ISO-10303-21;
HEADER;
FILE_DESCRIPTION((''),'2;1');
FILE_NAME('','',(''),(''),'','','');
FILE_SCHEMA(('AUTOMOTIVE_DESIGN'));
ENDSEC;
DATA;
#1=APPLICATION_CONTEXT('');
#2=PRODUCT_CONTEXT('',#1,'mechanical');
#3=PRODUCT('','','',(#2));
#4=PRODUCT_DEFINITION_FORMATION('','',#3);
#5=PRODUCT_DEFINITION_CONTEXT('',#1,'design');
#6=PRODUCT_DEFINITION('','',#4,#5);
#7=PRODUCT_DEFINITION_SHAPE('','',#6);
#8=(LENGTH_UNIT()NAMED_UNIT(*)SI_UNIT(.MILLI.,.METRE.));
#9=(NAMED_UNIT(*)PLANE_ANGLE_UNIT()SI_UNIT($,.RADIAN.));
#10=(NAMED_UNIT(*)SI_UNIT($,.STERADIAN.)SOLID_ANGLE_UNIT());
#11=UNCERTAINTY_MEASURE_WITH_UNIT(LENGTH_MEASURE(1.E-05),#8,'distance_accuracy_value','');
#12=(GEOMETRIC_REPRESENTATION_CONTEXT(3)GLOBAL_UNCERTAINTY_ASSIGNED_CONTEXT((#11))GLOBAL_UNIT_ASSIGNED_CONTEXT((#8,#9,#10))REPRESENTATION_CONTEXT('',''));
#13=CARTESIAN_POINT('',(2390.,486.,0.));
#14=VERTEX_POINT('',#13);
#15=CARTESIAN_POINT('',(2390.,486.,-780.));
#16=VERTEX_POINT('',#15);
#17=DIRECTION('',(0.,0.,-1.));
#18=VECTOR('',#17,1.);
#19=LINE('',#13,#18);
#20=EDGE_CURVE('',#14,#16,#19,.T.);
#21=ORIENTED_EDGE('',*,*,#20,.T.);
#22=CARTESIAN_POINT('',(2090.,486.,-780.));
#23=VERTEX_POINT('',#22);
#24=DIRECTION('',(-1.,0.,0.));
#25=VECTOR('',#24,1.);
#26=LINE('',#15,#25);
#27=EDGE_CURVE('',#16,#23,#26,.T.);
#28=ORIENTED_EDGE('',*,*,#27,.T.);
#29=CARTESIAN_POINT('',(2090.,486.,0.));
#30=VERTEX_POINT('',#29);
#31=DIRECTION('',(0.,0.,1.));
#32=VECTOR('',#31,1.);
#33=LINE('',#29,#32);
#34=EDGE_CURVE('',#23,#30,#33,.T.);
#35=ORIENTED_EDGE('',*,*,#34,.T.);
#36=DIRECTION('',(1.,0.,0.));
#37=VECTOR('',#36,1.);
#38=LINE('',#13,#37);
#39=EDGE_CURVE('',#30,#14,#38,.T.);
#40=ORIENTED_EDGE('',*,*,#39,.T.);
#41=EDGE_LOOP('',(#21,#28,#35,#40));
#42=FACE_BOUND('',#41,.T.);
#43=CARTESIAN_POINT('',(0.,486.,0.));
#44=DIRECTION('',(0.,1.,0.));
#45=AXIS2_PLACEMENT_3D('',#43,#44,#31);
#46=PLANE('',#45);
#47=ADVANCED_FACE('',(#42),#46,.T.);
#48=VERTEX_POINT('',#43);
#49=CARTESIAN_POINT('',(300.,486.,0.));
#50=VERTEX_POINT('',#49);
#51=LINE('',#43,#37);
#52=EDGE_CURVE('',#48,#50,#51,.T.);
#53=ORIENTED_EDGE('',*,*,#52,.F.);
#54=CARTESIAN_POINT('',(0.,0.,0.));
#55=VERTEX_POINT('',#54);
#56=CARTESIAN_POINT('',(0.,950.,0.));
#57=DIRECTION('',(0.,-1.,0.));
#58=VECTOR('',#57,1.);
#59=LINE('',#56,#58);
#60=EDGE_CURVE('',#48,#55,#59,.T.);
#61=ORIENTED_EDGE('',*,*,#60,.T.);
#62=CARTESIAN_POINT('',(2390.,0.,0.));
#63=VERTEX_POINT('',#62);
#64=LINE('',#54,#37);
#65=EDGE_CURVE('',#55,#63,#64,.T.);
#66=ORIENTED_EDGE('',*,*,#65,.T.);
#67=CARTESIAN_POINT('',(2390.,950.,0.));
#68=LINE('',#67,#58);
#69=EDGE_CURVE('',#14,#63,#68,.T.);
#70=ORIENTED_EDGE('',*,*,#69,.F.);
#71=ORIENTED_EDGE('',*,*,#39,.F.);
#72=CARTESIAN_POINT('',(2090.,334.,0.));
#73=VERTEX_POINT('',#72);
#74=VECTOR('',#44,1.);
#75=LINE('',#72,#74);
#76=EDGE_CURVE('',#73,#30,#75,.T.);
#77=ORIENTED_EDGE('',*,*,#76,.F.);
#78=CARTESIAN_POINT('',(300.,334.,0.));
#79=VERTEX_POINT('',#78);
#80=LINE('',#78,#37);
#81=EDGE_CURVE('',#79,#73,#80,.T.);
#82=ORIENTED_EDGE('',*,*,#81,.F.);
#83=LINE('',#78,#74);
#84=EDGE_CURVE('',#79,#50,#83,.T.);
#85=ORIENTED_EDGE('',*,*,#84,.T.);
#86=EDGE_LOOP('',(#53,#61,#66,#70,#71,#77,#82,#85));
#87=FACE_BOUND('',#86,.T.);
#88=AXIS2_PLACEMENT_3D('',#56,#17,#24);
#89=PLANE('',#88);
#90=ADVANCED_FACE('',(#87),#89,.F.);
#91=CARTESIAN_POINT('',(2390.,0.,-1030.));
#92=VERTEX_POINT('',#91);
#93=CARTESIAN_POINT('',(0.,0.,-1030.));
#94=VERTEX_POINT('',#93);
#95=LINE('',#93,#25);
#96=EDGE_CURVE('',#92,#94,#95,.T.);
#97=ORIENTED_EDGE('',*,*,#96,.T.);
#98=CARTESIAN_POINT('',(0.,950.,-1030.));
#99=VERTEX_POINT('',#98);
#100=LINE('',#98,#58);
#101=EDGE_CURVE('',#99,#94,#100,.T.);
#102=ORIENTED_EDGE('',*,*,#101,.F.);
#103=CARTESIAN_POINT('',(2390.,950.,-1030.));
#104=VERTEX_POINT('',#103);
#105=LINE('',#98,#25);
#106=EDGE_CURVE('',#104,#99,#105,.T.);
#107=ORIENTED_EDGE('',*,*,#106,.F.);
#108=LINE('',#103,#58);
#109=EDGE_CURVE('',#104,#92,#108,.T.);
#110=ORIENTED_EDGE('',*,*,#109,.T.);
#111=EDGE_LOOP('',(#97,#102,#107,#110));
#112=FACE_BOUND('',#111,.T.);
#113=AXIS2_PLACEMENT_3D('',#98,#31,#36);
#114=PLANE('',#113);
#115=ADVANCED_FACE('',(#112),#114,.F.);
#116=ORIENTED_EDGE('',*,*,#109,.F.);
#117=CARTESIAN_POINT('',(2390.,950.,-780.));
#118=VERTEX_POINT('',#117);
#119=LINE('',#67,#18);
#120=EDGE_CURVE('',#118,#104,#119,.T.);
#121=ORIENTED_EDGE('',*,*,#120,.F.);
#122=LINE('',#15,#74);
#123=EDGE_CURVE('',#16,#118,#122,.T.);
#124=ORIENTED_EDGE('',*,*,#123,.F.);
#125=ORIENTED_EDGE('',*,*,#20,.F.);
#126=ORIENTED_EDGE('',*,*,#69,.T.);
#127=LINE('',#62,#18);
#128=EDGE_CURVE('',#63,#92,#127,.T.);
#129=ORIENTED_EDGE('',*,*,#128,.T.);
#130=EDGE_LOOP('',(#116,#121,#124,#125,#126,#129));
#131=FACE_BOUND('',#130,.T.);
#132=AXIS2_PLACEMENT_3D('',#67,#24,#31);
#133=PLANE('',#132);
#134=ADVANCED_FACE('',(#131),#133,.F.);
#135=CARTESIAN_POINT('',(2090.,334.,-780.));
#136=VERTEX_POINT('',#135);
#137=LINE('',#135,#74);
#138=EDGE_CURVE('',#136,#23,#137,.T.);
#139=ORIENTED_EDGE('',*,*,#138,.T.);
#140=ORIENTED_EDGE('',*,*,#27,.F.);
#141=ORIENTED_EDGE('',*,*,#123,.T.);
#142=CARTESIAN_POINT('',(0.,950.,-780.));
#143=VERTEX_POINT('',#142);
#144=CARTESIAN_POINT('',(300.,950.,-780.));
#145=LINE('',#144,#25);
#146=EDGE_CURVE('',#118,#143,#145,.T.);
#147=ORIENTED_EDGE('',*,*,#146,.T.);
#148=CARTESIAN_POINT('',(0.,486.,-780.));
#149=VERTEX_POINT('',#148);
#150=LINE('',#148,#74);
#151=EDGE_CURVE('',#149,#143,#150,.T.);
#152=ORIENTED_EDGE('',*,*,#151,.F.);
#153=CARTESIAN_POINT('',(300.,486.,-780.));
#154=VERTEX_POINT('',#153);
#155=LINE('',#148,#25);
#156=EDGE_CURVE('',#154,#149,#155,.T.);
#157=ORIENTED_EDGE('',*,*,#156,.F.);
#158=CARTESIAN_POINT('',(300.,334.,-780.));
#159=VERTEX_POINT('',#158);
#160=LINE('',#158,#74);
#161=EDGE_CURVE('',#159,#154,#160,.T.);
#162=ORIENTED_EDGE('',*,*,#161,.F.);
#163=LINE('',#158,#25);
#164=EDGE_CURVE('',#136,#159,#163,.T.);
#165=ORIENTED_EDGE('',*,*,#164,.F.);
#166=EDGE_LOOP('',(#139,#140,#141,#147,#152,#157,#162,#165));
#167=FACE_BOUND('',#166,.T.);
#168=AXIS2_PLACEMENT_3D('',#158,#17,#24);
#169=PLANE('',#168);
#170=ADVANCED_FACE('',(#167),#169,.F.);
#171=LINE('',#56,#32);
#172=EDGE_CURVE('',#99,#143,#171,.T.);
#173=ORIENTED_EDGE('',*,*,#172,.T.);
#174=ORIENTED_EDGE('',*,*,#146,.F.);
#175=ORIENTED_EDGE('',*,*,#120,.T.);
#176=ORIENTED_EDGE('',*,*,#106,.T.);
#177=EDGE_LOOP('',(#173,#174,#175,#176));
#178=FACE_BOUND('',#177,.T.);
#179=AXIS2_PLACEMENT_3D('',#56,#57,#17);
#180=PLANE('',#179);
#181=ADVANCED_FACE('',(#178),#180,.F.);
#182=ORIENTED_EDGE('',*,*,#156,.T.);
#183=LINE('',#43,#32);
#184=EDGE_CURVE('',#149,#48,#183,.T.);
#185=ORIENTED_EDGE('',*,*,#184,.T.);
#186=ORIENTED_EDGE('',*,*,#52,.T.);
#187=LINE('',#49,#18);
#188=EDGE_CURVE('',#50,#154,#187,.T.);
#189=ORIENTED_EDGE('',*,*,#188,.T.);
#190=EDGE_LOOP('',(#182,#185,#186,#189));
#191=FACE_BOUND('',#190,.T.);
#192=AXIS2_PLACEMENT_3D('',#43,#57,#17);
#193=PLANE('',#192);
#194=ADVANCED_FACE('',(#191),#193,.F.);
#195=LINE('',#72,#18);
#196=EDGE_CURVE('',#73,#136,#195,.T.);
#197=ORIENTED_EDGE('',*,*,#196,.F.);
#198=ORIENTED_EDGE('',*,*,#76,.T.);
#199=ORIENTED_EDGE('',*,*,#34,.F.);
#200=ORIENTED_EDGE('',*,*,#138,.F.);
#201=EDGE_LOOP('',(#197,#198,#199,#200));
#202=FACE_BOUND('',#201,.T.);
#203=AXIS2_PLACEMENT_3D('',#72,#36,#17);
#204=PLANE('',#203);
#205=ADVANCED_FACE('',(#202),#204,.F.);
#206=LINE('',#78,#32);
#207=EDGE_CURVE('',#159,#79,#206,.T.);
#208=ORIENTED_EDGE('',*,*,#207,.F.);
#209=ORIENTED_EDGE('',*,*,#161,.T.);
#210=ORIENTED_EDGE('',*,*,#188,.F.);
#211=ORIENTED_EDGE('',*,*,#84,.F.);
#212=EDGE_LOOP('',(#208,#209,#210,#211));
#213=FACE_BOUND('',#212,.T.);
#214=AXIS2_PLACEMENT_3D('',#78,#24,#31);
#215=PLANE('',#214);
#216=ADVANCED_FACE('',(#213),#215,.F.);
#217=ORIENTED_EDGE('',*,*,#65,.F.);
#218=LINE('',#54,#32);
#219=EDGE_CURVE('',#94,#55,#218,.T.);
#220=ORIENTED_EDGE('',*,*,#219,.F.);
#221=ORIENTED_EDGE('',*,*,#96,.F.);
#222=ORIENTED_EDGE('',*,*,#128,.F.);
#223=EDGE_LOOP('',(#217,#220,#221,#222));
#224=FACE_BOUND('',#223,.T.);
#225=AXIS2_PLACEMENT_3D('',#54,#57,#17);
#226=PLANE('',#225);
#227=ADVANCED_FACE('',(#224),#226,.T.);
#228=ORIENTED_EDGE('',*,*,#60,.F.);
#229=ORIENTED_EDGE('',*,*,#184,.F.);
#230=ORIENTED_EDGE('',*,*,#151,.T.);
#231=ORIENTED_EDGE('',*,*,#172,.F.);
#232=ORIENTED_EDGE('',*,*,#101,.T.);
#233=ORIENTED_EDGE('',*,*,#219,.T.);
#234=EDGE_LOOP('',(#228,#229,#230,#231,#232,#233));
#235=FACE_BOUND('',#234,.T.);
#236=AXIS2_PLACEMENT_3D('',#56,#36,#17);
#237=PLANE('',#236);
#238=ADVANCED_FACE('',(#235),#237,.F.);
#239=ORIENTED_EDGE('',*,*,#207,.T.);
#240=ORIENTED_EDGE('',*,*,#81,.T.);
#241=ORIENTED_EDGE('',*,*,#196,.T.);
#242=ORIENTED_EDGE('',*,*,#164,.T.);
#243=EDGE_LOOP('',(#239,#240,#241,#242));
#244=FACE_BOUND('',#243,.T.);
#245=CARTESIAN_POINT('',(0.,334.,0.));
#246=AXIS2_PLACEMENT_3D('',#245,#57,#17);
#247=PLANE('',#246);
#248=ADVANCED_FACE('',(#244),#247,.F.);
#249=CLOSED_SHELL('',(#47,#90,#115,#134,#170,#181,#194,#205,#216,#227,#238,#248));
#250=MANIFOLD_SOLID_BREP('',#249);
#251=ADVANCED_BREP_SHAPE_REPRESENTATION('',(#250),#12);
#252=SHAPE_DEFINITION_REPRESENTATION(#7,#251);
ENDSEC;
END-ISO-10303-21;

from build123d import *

# Parameters (mm, degrees)
SKETCH_1_W          = 2390
SKETCH_1_H          = 1030
EXTRUDE_1_DEPTH     = 950
SKETCH_2_W          = 1790
SKETCH_2_H          = 780
CUT_EXTRUDE_1_DEPTH = 616
SKETCH_3_W          = 300
SKETCH_3_H          = 780
CUT_EXTRUDE_2_DEPTH = 464


with BuildPart() as part:
    # Эскиз1 → Бобышка-Вытянуть1 (new body)
    with BuildSketch(Plane(origin=(0, 0, 0), x_dir=(1, 0, 0), z_dir=(0, 1, 0))):
        with Locations((1195, 515)):
            Rectangle(SKETCH_1_W, SKETCH_1_H)
    extrude(amount=EXTRUDE_1_DEPTH)

    # Эскиз2 → Вырез-Вытянуть1 (cut)
    with BuildSketch(Plane(origin=(0, 950, 0), x_dir=(1, 0, 0), z_dir=(0, 1, 0))):
        with Locations((1195, 390)):
            Rectangle(SKETCH_2_W, SKETCH_2_H)
    extrude(amount=-CUT_EXTRUDE_1_DEPTH, mode=Mode.SUBTRACT)

    # Эскиз3 → Вырез-Вытянуть2 (cut)
    with BuildSketch(Plane(origin=(0, 950, 0), x_dir=(1, 0, 0), z_dir=(0, 1, 0))):
        with Locations((150, 390)):
            Rectangle(SKETCH_3_W, SKETCH_3_H)
        with Locations((2240, 390)):
            Rectangle(SKETCH_3_W, SKETCH_3_H)
    extrude(amount=-CUT_EXTRUDE_2_DEPTH, mode=Mode.SUBTRACT)


solid = part.part
